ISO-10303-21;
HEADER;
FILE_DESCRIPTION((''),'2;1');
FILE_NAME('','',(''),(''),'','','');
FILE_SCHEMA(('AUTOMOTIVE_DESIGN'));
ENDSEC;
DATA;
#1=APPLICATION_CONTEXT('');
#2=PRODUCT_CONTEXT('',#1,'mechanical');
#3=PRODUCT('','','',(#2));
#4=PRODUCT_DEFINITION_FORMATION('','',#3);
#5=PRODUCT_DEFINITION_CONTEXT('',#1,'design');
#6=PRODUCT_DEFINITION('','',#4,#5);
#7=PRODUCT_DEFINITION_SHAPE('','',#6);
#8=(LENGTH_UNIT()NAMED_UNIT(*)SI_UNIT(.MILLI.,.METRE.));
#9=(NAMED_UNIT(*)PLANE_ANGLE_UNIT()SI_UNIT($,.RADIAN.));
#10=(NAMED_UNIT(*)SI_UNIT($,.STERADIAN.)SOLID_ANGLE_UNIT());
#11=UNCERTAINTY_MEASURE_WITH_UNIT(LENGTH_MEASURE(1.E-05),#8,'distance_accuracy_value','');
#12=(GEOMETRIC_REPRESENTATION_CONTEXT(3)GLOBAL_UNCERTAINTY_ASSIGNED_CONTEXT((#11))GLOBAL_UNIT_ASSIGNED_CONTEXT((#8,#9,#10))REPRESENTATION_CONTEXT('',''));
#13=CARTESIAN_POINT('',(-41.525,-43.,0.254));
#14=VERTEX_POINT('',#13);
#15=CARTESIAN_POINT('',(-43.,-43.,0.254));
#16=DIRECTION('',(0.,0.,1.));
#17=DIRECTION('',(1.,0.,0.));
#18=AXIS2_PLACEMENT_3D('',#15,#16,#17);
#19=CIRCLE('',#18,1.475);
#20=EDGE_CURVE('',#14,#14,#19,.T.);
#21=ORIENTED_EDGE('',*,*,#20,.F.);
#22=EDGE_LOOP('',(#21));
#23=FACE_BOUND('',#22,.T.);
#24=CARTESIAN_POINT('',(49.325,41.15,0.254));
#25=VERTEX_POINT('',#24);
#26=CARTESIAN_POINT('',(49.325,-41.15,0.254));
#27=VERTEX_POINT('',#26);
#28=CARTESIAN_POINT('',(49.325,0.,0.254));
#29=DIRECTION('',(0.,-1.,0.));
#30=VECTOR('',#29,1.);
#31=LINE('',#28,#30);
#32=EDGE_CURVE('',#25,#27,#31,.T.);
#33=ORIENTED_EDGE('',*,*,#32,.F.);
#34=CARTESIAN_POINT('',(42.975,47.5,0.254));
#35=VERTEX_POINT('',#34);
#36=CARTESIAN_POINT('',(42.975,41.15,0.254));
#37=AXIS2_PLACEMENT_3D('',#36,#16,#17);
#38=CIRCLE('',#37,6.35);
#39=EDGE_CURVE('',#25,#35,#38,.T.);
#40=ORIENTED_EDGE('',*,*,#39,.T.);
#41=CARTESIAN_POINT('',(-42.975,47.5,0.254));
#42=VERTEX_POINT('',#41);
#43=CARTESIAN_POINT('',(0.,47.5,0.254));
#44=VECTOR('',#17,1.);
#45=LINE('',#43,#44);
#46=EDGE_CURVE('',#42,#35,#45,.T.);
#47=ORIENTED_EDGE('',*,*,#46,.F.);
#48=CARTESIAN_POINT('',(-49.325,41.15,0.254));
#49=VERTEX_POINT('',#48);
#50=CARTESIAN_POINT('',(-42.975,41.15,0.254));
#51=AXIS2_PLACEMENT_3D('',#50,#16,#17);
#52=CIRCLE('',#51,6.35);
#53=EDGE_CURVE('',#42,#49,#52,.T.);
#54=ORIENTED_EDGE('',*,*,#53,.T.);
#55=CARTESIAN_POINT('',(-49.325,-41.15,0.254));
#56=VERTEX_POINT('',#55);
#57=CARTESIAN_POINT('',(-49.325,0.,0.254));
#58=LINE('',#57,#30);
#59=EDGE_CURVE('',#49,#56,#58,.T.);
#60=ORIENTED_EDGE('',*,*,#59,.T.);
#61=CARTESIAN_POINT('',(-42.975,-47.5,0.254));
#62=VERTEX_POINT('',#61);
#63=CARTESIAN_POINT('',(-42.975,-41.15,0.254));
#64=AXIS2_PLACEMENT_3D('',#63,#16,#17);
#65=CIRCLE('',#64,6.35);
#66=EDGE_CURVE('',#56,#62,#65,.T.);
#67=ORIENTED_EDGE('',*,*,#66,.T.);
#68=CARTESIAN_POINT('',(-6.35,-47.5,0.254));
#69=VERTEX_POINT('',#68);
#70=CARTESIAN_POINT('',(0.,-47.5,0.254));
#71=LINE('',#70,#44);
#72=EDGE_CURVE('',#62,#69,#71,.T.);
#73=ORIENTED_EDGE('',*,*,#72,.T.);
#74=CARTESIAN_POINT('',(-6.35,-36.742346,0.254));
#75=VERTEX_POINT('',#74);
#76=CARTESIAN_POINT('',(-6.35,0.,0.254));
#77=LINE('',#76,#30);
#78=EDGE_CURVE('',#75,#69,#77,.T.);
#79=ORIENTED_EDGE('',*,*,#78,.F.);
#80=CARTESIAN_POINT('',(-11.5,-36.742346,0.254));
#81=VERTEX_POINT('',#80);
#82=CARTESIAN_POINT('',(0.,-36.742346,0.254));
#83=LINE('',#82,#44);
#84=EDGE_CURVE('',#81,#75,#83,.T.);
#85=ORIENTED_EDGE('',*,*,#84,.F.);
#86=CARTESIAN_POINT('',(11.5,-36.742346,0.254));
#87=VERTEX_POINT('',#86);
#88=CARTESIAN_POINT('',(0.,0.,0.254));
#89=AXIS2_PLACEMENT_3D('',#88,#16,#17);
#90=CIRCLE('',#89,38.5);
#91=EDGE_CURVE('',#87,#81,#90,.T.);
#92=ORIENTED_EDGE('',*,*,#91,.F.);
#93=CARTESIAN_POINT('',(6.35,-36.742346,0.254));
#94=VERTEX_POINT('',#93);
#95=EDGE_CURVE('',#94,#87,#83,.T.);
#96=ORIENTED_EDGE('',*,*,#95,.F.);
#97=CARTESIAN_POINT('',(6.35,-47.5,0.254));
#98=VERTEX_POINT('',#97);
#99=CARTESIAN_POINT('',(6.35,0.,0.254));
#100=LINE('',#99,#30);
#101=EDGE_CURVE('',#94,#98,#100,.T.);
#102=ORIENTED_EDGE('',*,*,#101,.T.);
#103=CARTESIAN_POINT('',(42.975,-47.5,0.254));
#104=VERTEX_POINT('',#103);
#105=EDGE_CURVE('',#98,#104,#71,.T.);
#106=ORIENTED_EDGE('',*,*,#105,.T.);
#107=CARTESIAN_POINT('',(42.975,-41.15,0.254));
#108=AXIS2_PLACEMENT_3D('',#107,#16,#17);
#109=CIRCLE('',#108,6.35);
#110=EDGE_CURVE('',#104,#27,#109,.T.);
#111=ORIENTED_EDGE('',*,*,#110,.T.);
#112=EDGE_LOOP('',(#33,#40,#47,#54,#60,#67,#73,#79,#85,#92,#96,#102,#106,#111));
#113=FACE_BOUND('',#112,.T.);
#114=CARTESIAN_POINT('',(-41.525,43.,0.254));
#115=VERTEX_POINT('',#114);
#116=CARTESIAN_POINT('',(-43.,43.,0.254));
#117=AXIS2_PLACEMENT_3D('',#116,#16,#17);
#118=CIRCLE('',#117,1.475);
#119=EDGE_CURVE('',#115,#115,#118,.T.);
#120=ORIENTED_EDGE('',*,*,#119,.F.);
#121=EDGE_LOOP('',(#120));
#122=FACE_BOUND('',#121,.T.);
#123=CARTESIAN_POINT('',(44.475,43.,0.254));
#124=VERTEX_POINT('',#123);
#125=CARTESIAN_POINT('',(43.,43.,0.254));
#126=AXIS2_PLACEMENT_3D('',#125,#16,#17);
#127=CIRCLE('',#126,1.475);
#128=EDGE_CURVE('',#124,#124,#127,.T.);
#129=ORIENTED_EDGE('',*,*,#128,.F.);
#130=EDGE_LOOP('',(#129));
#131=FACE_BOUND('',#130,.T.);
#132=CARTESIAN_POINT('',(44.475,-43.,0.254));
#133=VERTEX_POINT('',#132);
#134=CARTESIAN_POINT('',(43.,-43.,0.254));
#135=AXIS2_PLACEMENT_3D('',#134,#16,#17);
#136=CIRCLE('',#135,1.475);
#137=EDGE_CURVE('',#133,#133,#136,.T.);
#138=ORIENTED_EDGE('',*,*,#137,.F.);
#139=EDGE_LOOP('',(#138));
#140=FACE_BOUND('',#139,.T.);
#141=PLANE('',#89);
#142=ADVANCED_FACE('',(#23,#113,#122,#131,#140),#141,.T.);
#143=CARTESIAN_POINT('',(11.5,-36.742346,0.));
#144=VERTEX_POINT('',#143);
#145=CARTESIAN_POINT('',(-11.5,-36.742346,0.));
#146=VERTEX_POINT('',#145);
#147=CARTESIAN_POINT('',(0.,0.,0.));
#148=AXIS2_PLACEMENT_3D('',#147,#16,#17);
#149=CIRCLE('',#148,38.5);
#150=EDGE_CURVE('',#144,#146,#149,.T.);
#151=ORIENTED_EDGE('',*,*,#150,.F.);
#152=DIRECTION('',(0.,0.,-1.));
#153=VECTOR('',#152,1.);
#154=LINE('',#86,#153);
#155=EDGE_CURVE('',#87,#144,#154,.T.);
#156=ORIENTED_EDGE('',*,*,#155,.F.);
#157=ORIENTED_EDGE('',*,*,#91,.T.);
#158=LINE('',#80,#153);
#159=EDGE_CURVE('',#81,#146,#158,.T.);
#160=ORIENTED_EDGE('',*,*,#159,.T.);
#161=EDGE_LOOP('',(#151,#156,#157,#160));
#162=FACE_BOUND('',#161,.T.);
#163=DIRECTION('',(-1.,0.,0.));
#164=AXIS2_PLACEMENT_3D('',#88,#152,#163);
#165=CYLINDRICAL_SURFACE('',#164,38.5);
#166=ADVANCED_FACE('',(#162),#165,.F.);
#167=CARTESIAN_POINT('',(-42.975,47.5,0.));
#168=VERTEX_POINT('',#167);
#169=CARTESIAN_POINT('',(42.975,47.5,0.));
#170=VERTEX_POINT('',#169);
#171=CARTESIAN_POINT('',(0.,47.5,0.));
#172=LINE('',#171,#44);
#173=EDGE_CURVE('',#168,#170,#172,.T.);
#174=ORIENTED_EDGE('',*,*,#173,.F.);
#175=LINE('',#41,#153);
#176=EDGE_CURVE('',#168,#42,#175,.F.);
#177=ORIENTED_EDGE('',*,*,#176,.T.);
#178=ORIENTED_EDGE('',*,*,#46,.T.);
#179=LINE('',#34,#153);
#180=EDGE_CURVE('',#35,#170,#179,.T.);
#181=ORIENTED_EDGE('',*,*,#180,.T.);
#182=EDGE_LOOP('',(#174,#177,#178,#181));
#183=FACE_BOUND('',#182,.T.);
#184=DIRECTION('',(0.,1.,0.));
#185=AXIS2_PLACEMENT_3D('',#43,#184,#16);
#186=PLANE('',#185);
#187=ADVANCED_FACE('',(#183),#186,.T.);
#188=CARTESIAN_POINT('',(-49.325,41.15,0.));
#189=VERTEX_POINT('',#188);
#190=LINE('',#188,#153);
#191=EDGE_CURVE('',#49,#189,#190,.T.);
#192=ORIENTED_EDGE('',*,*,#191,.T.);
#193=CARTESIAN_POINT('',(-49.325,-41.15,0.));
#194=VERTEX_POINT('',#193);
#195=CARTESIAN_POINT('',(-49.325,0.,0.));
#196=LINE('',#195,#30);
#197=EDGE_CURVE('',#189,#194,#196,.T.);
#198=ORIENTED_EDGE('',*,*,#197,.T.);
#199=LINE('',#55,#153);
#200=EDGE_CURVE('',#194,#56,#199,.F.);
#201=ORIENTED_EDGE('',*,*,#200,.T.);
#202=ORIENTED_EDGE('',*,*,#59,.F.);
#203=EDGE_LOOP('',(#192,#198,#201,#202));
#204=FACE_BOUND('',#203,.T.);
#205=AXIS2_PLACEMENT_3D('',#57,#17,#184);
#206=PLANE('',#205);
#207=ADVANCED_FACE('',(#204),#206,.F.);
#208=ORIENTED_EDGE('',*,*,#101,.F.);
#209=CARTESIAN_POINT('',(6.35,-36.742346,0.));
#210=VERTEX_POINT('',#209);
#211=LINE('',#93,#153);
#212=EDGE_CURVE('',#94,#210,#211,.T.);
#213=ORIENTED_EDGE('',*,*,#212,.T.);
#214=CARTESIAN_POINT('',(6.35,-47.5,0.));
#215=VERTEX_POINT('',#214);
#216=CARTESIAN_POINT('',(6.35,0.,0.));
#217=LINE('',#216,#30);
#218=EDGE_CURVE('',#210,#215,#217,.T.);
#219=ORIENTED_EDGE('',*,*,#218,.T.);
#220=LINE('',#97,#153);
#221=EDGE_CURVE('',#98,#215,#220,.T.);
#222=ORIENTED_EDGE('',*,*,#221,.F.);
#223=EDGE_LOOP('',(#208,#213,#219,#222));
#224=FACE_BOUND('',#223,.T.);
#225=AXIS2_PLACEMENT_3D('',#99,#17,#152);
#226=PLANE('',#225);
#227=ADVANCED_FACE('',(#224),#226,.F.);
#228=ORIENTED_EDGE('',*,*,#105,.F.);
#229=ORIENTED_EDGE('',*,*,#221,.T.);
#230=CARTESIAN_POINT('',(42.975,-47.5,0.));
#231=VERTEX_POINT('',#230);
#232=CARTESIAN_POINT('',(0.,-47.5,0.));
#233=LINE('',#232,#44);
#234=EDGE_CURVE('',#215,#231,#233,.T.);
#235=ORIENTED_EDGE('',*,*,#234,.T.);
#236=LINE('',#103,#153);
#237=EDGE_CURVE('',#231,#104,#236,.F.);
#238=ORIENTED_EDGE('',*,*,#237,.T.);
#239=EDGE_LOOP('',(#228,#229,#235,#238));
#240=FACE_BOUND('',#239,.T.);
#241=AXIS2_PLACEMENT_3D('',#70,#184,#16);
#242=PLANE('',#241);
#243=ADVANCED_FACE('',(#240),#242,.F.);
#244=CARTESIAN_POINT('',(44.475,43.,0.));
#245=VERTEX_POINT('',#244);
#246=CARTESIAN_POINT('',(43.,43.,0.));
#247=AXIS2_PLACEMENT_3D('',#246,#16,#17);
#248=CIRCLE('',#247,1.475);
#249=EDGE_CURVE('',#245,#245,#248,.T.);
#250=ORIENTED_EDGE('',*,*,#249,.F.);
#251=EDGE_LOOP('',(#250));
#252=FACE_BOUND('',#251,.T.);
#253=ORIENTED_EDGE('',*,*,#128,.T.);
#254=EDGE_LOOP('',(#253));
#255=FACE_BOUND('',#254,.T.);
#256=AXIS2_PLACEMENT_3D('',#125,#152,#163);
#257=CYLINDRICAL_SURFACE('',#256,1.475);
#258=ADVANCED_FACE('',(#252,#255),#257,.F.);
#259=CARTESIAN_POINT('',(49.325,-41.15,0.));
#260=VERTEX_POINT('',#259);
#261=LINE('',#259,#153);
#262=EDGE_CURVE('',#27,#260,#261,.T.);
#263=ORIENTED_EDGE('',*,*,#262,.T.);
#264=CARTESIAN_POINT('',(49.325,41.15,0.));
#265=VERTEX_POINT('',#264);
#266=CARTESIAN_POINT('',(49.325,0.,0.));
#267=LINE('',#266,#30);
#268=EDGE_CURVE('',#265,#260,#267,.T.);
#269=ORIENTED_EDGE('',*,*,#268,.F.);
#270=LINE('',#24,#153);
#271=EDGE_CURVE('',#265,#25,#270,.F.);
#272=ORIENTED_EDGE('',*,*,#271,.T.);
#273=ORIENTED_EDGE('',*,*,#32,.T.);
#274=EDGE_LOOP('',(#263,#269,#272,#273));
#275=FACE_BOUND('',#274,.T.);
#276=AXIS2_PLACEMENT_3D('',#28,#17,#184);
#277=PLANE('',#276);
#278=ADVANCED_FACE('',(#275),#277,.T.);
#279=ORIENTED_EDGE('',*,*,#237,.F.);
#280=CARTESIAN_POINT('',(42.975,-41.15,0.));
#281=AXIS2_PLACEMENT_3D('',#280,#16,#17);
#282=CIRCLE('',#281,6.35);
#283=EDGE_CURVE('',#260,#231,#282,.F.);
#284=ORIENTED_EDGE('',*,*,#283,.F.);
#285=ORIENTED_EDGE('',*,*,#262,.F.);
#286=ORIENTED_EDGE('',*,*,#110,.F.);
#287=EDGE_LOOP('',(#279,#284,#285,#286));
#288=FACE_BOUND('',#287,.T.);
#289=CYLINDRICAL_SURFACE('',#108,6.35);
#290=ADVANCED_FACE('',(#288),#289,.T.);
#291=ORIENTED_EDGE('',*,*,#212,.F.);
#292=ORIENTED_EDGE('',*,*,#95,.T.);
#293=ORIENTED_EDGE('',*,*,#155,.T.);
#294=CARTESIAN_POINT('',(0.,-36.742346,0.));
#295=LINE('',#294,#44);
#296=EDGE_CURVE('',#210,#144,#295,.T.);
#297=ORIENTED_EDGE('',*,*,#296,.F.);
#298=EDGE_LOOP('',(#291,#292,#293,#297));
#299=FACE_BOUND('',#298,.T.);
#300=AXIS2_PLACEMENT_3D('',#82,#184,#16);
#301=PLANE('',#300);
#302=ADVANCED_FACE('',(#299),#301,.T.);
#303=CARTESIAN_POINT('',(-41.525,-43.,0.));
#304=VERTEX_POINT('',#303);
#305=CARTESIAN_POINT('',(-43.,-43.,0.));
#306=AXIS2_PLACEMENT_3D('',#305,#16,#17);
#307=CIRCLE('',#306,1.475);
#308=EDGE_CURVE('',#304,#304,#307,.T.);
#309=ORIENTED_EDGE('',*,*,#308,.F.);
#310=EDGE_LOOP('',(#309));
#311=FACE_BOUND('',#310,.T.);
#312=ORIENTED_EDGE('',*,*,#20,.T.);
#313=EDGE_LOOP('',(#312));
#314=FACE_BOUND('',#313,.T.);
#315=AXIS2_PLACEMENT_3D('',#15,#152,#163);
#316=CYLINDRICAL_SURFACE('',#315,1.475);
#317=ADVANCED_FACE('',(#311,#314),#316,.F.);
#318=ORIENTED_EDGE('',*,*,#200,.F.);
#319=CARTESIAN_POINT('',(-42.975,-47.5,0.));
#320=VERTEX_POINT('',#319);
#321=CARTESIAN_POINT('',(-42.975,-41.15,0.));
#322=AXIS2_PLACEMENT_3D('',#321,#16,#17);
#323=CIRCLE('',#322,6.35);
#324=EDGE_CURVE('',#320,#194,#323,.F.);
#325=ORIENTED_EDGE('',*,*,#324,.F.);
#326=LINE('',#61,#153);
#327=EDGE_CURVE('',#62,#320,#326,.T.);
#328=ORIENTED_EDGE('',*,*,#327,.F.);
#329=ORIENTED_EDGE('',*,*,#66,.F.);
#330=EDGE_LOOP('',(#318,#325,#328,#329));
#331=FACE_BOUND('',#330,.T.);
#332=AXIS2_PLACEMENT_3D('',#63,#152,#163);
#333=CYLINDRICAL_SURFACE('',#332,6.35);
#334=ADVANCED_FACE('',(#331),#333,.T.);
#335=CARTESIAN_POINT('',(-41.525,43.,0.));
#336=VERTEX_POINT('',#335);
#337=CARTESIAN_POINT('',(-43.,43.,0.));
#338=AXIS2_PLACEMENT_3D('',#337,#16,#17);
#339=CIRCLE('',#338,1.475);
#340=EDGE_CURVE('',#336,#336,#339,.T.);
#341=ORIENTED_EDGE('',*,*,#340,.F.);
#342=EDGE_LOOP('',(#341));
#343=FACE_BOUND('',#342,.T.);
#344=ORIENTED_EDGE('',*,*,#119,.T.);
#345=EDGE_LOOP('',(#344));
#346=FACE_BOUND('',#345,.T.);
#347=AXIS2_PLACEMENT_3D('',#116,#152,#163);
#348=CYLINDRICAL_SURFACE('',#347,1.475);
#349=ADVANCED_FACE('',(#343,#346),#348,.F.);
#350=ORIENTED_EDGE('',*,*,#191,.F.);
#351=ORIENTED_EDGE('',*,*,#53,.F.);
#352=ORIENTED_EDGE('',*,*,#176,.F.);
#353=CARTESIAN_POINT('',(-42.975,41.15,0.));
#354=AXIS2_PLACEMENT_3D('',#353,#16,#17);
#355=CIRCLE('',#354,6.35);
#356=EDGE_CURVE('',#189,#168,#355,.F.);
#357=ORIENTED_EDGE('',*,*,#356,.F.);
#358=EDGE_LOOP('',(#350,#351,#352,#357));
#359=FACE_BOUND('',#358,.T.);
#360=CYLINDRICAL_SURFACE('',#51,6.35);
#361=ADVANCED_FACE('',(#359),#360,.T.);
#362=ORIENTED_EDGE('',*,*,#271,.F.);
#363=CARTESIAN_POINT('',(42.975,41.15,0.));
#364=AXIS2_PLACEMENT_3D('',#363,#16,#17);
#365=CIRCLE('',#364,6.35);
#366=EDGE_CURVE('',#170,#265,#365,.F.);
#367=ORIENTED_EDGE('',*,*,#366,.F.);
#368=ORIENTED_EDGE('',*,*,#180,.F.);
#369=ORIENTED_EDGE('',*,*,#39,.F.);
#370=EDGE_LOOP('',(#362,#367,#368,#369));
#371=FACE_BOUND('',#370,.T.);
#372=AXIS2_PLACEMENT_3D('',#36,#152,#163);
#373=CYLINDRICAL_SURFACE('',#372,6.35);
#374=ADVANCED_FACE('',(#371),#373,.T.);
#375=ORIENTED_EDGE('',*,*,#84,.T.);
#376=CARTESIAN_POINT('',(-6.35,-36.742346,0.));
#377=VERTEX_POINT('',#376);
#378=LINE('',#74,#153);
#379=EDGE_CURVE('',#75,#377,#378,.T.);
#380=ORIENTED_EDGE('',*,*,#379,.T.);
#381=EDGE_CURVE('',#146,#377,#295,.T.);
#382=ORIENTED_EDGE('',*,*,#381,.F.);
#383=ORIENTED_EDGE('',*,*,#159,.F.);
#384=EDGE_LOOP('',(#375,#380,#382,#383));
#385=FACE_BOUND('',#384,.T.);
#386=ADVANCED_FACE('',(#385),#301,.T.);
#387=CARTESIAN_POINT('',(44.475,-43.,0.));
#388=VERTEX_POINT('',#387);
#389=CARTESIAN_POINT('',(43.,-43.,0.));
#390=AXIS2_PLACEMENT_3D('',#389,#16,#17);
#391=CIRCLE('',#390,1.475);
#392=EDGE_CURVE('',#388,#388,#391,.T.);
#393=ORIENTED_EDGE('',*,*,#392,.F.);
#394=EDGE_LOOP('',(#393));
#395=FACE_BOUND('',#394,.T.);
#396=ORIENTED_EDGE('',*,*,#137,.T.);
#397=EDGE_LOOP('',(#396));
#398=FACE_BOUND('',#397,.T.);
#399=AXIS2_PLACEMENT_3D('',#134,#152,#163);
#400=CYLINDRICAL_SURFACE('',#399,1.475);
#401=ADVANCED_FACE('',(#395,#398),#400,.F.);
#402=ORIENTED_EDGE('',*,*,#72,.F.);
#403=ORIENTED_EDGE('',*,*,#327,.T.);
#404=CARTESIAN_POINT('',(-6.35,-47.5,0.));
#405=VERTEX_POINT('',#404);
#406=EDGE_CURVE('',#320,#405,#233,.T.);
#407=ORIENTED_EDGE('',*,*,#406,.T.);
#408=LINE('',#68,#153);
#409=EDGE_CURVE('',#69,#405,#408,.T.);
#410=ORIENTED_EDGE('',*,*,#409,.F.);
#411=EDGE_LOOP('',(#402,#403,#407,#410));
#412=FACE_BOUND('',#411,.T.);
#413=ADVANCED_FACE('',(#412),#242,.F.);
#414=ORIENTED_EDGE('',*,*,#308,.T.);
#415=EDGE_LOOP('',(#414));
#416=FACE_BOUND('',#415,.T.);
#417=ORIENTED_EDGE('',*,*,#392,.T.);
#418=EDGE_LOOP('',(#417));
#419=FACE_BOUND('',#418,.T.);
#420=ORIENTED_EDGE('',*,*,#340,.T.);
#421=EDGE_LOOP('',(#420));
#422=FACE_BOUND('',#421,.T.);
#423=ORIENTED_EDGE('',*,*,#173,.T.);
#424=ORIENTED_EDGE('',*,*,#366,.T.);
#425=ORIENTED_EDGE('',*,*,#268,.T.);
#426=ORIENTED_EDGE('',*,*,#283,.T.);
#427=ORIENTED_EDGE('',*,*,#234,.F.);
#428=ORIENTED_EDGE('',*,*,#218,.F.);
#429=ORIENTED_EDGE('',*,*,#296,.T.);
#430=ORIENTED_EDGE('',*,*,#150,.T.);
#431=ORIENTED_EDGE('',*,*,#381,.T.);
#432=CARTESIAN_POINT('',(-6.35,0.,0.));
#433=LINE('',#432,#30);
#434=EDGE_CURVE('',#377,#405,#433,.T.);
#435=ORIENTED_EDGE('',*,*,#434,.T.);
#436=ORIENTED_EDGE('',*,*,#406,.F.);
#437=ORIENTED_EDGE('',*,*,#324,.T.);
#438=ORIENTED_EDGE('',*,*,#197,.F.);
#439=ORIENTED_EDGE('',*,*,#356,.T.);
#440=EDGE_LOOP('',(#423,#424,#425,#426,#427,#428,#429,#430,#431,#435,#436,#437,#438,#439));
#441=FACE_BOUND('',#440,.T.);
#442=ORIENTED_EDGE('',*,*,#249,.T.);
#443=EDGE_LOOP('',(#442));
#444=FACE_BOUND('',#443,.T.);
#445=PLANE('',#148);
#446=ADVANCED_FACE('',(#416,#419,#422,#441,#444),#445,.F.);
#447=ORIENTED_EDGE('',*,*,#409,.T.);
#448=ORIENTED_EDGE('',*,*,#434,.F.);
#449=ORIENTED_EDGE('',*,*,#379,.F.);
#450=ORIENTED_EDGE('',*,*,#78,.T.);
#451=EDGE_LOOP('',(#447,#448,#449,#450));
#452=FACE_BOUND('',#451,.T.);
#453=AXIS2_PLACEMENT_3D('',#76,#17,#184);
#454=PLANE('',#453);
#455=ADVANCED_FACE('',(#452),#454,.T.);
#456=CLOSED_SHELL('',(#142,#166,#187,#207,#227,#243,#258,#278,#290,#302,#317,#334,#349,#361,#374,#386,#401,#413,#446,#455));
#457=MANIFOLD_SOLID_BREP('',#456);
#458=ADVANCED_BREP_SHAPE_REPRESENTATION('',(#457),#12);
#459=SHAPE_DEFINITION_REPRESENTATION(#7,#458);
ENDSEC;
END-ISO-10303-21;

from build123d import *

# Parameters (mm, degrees)
SKETCH2_R           = 1.475
BOSS_EXTRUDE1_DEPTH = 0.254
FILLET1_R           = 6.35


with BuildPart() as part:
    # Sketch2 → Boss-Extrude1 (new body)
    # profile 1 of 3: a face of its own
    with BuildSketch(Plane.XY):
        with BuildLine():
            ThreePointArc((-6.35, -37.972720471), (-8.946176851, -37.446173633), (-11.5, -36.742346142))
            ThreePointArc((-11.5, -36.742346142), (-22.79802623, 31.024184115), (38.5, 0))
            ThreePointArc((38.5, 0), (31.024184115, -22.79802623), (11.5, -36.742346142))
            ThreePointArc((11.5, -36.742346142), (8.946176851, -37.446173633), (6.35, -37.972720471))
            Line((6.35, -37.972720471), (6.35, -47.5))
            Line((6.35, -47.5), (49.325, -47.5))
            Line((49.325, -47.5), (49.325, 47.5))
            Line((49.325, 47.5), (-49.325, 47.5))
            Line((-49.325, 47.5), (-49.325, -47.5))
            Line((-49.325, -47.5), (-6.35, -47.5))
            Line((-6.35, -47.5), (-6.35, -37.972720471))
        make_face()
        with Locations((-43, -43)):
            Circle(SKETCH2_R, mode=Mode.SUBTRACT)
        with Locations((43, -43)):
            Circle(SKETCH2_R, mode=Mode.SUBTRACT)
        with Locations((-43, 43)):
            Circle(SKETCH2_R, mode=Mode.SUBTRACT)
        with Locations((43, 43)):
            Circle(SKETCH2_R, mode=Mode.SUBTRACT)
    # profile 2 of 3: a face of its own
    with BuildSketch(Plane.XY):
        with BuildLine():
            Line((11.5, -36.742346142), (6.35, -36.742346142))
            Line((6.35, -36.742346142), (6.35, -37.972720471))
            ThreePointArc((6.35, -37.972720471), (8.946176851, -37.446173633), (11.5, -36.742346142))
        make_face()
    # profile 3 of 3: a face of its own
    with BuildSketch(Plane.XY):
        with BuildLine():
            Line((-6.35, -36.742346142), (-11.5, -36.742346142))
            ThreePointArc((-11.5, -36.742346142), (-8.946176851, -37.446173633), (-6.35, -37.972720471))
            Line((-6.35, -37.972720471), (-6.35, -36.742346142))
        make_face()
    extrude(amount=BOSS_EXTRUDE1_DEPTH)

    # Fillet1
    fillet1_edges = [part.edges().sort_by_distance(p)[0] for p in [
        (-49.325, -47.5, 0.127),
        (-49.325, 47.5, 0.127),
        (49.325, 47.5, 0.127),
        (49.325, -47.5, 0.127),
    ]]
    fillet(fillet1_edges, radius=FILLET1_R)


solid = part.part
